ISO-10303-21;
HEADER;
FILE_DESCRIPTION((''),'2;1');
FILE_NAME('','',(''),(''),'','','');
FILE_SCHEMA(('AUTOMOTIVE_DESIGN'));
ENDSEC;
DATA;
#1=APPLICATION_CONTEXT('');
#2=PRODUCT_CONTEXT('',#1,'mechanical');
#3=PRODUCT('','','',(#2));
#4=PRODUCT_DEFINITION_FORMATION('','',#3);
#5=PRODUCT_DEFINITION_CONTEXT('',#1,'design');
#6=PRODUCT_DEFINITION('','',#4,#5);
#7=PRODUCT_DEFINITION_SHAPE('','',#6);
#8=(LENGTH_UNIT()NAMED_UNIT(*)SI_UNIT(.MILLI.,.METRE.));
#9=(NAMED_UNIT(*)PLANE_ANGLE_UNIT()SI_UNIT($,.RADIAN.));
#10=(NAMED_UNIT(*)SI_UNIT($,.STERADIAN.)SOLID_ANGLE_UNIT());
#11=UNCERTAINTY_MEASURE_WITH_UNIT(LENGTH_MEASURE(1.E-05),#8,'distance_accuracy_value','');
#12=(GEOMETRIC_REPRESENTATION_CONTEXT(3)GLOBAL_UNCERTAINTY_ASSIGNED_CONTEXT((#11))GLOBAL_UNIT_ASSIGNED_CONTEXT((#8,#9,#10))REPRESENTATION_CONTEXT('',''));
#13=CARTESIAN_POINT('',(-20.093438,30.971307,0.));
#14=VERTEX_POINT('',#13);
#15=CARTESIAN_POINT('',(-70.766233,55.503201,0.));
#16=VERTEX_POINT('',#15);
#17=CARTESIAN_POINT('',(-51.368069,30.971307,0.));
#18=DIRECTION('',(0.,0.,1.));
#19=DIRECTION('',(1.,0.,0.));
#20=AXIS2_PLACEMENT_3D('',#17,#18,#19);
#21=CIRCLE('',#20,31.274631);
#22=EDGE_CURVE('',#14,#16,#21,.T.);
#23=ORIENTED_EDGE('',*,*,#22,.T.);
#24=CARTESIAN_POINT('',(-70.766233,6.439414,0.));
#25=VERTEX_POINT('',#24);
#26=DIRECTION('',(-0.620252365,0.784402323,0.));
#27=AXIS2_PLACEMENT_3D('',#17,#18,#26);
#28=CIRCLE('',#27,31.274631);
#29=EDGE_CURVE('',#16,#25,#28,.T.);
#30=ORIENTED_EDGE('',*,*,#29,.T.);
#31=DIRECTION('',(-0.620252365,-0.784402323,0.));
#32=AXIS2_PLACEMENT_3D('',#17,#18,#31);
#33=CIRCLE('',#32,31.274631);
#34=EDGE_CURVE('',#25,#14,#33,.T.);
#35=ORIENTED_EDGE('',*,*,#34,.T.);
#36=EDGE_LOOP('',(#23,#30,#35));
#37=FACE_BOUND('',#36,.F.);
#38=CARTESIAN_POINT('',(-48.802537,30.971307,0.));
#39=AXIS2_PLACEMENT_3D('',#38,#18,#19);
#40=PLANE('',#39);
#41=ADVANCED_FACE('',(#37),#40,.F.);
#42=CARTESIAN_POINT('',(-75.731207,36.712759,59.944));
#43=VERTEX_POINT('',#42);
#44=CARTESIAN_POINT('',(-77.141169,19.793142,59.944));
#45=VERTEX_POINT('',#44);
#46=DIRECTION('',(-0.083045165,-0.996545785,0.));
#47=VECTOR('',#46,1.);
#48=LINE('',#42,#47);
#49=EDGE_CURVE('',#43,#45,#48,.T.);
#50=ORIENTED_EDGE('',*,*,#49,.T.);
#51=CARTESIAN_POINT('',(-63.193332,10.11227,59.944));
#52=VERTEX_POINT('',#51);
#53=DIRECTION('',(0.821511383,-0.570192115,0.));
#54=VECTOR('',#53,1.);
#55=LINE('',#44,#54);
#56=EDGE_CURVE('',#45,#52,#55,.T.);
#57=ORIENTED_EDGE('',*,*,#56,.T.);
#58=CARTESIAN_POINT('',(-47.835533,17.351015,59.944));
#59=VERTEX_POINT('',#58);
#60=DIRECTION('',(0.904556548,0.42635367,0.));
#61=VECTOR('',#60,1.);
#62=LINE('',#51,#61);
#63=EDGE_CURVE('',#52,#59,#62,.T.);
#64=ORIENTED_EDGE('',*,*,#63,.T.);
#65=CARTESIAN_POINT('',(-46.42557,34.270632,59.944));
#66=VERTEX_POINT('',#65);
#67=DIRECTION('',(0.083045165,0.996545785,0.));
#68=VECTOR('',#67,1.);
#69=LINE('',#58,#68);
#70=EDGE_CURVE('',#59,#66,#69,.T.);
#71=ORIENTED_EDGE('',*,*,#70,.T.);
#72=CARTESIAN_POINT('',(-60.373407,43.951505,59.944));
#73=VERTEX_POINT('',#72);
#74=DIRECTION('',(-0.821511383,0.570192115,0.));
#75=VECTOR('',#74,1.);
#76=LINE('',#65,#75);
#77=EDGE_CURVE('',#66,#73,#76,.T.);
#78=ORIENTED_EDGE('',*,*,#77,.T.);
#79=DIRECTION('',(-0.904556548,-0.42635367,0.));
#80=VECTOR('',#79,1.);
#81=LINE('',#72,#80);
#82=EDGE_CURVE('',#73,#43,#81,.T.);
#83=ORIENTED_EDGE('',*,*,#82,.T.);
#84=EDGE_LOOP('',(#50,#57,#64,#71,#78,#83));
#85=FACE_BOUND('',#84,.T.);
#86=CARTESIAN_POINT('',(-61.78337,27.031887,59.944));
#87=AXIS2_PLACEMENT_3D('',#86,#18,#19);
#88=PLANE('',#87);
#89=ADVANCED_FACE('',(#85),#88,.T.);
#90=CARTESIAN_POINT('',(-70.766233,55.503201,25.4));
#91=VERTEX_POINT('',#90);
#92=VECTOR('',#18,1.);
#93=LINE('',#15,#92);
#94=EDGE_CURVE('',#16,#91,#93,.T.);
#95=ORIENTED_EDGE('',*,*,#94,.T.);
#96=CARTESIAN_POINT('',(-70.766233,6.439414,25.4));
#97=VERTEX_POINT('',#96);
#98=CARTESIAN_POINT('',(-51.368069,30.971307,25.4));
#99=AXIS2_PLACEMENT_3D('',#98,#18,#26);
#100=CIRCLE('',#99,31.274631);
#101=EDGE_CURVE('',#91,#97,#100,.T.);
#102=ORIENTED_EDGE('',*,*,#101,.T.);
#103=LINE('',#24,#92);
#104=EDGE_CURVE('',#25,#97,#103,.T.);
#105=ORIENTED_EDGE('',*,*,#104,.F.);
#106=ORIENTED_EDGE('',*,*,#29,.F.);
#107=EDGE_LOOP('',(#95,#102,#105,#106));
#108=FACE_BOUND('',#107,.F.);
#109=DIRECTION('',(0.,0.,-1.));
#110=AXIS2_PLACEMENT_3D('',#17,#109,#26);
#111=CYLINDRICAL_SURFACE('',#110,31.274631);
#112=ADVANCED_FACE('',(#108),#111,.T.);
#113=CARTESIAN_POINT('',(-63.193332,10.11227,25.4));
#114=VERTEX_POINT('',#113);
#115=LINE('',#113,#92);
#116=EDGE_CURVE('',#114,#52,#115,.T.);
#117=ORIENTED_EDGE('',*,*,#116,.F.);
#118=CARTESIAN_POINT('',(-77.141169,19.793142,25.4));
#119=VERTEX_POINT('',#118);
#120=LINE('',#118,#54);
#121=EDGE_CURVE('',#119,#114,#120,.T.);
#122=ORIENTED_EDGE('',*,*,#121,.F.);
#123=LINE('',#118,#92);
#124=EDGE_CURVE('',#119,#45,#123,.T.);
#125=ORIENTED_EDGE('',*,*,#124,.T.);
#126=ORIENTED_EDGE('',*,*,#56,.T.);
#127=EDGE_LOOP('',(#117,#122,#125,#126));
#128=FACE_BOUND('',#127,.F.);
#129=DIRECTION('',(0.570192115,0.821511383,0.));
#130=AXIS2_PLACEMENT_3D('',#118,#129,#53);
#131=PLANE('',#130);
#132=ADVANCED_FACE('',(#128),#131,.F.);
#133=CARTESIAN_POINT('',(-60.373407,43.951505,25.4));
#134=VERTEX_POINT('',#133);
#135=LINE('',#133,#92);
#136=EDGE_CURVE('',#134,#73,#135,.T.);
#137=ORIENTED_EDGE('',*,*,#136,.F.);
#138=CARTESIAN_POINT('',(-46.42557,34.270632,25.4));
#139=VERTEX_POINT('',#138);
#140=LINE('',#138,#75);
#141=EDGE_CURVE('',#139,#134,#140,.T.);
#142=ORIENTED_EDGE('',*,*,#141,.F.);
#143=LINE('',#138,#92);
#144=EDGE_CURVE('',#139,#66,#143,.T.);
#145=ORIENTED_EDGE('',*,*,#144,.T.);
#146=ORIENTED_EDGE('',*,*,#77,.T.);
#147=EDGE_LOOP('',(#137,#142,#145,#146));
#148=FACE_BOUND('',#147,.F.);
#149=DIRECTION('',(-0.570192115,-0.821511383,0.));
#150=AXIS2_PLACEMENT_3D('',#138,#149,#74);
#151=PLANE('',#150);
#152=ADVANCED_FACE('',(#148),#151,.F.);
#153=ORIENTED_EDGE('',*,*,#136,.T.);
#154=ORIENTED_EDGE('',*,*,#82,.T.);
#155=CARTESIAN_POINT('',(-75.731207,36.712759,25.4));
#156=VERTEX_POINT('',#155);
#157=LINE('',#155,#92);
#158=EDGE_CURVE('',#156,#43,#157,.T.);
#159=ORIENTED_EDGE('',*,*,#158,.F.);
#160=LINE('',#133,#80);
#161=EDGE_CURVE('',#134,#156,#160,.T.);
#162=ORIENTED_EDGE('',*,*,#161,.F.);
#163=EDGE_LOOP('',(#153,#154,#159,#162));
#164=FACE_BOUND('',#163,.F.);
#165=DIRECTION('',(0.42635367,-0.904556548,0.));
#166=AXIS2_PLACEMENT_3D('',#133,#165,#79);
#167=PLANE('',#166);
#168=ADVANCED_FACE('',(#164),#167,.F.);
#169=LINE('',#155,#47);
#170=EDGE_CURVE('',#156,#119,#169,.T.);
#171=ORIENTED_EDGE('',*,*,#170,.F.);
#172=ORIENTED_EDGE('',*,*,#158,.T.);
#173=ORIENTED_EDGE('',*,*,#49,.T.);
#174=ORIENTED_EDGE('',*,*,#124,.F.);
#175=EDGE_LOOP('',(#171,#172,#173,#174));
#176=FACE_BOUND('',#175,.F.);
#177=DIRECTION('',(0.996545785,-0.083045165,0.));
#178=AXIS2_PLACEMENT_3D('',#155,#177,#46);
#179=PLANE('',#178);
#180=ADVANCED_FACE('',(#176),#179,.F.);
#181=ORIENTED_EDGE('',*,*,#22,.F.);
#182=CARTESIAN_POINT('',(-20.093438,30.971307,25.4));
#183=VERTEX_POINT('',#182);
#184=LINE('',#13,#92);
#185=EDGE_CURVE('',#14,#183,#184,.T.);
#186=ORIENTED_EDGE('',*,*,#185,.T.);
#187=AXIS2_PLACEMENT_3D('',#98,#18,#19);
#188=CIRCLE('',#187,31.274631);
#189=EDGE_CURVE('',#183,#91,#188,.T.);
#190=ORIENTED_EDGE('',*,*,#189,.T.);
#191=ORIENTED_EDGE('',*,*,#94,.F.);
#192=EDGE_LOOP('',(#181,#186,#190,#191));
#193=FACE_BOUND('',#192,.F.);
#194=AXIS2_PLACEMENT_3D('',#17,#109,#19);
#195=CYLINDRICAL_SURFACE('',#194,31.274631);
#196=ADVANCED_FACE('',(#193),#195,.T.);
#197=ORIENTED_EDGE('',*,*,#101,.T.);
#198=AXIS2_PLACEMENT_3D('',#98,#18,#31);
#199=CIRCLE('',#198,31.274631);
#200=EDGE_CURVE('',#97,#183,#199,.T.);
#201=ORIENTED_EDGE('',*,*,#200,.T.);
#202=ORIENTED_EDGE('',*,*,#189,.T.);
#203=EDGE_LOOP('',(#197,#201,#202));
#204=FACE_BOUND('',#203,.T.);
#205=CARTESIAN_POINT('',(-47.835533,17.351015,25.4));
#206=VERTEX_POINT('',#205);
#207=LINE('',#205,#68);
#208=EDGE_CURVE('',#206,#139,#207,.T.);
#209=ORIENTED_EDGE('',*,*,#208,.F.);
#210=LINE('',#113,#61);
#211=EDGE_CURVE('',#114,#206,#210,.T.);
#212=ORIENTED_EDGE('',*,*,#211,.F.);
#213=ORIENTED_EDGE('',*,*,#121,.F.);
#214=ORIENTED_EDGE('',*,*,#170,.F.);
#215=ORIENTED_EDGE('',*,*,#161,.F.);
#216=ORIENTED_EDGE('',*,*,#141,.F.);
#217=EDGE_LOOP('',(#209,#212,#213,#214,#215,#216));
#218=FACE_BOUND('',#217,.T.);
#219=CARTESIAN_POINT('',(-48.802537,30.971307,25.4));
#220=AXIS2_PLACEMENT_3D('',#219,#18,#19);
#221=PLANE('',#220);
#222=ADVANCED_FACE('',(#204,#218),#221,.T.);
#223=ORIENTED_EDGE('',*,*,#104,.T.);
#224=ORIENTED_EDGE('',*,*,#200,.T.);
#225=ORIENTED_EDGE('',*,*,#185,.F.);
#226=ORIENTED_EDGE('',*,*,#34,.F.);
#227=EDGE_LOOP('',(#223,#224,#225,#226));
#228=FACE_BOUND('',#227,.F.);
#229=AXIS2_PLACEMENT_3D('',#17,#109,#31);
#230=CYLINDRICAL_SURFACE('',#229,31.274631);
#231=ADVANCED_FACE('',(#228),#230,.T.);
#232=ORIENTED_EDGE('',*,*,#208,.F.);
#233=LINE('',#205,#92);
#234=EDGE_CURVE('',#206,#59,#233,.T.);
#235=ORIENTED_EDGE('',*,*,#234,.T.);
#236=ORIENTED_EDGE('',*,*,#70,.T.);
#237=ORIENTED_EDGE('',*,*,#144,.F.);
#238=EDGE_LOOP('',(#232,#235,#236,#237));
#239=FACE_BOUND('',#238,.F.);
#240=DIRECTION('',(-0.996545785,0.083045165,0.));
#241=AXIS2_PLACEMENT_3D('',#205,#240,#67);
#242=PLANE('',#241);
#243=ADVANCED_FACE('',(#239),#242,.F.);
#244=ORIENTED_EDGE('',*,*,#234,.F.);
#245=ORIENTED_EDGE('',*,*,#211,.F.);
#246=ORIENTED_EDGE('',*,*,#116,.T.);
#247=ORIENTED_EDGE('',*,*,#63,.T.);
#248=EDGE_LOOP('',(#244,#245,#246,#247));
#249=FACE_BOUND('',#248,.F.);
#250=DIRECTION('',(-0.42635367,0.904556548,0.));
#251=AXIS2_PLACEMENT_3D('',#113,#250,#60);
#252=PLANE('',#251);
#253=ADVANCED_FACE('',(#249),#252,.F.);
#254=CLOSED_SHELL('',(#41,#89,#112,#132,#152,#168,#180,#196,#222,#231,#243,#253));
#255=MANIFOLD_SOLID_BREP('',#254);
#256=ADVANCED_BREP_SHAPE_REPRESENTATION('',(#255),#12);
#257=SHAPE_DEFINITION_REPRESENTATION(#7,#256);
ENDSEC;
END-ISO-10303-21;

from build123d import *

# Parameters (mm, degrees)
F1_DEPTH = 25.4
F3_DEPTH = 34.544


with BuildPart() as f1:
    # F0 (on Top) → F1 (new body)
    with BuildSketch(Plane.XY):
        with BuildLine():
            Line((-70.7662329078, 55.5032007331), (-70.7662329078, 6.4394138818))
            ThreePointArc((-70.7662329078, 6.4394138818), (-37.7403006525, 2.8219468482), (-20.0934376224, 30.9713073075))
            ThreePointArc((-20.0934376224, 30.9713073075), (-37.7403006525, 59.1206677668), (-70.7662329078, 55.5032007331))
        make_face()
        with BuildLine():
            ThreePointArc((-70.7662329078, 55.5032007331), (-82.6427001849, 30.9713073075), (-70.7662329078, 6.4394138818))
            Line((-70.7662329078, 6.4394138818), (-70.7662329078, 55.5032007331))
        make_face()
    extrude(amount=F1_DEPTH)

    # F2 (on face) → F3 (join)
    with BuildSketch(Plane.XY.offset(25.4)):
        Polygon((-63.1933323456, 10.1122700805), (-47.8355326341, 17.3510151719), (-46.425569919, 34.2706324141), (-60.3734069155, 43.9515045648), (-75.7312066271, 36.7127594734), (-77.1411693421, 19.7931422312), align=None)
    extrude(amount=F3_DEPTH)


solid = f1.part
